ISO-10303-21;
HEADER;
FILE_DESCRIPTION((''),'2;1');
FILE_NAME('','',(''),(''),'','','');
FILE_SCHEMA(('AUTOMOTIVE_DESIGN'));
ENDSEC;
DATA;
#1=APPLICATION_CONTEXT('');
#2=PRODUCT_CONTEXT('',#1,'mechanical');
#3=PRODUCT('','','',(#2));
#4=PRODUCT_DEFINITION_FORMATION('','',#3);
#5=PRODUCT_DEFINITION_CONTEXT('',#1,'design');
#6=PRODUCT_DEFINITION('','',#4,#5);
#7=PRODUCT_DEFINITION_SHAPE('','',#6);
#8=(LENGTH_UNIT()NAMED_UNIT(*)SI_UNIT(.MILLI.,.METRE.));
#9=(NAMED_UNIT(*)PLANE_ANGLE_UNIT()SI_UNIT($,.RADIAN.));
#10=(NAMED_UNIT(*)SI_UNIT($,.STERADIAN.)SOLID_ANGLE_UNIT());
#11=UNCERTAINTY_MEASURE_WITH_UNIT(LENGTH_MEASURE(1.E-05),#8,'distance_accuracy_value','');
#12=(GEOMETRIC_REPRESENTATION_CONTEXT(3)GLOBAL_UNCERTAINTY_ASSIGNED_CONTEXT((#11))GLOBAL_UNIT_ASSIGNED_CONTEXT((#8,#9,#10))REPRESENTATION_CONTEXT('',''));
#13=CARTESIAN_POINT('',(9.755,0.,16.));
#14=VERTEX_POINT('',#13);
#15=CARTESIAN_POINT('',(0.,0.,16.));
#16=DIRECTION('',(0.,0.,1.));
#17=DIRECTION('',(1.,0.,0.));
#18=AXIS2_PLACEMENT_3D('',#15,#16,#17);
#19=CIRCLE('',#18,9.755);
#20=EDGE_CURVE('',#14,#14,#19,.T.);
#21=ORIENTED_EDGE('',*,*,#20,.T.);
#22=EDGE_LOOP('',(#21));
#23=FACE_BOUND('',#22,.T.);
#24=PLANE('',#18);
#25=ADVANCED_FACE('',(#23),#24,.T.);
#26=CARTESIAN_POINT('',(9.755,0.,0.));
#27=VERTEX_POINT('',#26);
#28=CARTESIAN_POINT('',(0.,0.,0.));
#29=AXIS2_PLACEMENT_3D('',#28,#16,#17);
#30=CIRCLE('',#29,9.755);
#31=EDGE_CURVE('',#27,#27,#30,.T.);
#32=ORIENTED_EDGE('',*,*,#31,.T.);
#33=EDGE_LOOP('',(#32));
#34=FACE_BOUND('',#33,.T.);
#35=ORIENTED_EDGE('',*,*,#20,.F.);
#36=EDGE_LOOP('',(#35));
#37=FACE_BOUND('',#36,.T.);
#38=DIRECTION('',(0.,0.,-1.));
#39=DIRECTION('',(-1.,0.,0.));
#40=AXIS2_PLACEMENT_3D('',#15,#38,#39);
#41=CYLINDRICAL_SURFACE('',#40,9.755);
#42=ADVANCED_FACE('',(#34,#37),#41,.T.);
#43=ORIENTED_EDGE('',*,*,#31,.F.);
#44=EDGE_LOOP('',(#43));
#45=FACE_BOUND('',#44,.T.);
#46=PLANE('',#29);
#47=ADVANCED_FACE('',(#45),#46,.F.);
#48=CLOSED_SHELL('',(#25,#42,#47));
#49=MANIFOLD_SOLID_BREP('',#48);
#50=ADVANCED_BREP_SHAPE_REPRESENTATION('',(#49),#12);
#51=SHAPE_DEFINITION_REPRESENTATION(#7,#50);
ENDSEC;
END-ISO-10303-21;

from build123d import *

# Parameters (mm, degrees)
SKETCH1_R      = 9.755
ENVELOPE_DEPTH = 16


with BuildPart() as part:
    # Sketch1 → Envelope (new body)
    with BuildSketch(Plane.XY):
        Circle(SKETCH1_R)
    extrude(amount=ENVELOPE_DEPTH)


solid = part.part
